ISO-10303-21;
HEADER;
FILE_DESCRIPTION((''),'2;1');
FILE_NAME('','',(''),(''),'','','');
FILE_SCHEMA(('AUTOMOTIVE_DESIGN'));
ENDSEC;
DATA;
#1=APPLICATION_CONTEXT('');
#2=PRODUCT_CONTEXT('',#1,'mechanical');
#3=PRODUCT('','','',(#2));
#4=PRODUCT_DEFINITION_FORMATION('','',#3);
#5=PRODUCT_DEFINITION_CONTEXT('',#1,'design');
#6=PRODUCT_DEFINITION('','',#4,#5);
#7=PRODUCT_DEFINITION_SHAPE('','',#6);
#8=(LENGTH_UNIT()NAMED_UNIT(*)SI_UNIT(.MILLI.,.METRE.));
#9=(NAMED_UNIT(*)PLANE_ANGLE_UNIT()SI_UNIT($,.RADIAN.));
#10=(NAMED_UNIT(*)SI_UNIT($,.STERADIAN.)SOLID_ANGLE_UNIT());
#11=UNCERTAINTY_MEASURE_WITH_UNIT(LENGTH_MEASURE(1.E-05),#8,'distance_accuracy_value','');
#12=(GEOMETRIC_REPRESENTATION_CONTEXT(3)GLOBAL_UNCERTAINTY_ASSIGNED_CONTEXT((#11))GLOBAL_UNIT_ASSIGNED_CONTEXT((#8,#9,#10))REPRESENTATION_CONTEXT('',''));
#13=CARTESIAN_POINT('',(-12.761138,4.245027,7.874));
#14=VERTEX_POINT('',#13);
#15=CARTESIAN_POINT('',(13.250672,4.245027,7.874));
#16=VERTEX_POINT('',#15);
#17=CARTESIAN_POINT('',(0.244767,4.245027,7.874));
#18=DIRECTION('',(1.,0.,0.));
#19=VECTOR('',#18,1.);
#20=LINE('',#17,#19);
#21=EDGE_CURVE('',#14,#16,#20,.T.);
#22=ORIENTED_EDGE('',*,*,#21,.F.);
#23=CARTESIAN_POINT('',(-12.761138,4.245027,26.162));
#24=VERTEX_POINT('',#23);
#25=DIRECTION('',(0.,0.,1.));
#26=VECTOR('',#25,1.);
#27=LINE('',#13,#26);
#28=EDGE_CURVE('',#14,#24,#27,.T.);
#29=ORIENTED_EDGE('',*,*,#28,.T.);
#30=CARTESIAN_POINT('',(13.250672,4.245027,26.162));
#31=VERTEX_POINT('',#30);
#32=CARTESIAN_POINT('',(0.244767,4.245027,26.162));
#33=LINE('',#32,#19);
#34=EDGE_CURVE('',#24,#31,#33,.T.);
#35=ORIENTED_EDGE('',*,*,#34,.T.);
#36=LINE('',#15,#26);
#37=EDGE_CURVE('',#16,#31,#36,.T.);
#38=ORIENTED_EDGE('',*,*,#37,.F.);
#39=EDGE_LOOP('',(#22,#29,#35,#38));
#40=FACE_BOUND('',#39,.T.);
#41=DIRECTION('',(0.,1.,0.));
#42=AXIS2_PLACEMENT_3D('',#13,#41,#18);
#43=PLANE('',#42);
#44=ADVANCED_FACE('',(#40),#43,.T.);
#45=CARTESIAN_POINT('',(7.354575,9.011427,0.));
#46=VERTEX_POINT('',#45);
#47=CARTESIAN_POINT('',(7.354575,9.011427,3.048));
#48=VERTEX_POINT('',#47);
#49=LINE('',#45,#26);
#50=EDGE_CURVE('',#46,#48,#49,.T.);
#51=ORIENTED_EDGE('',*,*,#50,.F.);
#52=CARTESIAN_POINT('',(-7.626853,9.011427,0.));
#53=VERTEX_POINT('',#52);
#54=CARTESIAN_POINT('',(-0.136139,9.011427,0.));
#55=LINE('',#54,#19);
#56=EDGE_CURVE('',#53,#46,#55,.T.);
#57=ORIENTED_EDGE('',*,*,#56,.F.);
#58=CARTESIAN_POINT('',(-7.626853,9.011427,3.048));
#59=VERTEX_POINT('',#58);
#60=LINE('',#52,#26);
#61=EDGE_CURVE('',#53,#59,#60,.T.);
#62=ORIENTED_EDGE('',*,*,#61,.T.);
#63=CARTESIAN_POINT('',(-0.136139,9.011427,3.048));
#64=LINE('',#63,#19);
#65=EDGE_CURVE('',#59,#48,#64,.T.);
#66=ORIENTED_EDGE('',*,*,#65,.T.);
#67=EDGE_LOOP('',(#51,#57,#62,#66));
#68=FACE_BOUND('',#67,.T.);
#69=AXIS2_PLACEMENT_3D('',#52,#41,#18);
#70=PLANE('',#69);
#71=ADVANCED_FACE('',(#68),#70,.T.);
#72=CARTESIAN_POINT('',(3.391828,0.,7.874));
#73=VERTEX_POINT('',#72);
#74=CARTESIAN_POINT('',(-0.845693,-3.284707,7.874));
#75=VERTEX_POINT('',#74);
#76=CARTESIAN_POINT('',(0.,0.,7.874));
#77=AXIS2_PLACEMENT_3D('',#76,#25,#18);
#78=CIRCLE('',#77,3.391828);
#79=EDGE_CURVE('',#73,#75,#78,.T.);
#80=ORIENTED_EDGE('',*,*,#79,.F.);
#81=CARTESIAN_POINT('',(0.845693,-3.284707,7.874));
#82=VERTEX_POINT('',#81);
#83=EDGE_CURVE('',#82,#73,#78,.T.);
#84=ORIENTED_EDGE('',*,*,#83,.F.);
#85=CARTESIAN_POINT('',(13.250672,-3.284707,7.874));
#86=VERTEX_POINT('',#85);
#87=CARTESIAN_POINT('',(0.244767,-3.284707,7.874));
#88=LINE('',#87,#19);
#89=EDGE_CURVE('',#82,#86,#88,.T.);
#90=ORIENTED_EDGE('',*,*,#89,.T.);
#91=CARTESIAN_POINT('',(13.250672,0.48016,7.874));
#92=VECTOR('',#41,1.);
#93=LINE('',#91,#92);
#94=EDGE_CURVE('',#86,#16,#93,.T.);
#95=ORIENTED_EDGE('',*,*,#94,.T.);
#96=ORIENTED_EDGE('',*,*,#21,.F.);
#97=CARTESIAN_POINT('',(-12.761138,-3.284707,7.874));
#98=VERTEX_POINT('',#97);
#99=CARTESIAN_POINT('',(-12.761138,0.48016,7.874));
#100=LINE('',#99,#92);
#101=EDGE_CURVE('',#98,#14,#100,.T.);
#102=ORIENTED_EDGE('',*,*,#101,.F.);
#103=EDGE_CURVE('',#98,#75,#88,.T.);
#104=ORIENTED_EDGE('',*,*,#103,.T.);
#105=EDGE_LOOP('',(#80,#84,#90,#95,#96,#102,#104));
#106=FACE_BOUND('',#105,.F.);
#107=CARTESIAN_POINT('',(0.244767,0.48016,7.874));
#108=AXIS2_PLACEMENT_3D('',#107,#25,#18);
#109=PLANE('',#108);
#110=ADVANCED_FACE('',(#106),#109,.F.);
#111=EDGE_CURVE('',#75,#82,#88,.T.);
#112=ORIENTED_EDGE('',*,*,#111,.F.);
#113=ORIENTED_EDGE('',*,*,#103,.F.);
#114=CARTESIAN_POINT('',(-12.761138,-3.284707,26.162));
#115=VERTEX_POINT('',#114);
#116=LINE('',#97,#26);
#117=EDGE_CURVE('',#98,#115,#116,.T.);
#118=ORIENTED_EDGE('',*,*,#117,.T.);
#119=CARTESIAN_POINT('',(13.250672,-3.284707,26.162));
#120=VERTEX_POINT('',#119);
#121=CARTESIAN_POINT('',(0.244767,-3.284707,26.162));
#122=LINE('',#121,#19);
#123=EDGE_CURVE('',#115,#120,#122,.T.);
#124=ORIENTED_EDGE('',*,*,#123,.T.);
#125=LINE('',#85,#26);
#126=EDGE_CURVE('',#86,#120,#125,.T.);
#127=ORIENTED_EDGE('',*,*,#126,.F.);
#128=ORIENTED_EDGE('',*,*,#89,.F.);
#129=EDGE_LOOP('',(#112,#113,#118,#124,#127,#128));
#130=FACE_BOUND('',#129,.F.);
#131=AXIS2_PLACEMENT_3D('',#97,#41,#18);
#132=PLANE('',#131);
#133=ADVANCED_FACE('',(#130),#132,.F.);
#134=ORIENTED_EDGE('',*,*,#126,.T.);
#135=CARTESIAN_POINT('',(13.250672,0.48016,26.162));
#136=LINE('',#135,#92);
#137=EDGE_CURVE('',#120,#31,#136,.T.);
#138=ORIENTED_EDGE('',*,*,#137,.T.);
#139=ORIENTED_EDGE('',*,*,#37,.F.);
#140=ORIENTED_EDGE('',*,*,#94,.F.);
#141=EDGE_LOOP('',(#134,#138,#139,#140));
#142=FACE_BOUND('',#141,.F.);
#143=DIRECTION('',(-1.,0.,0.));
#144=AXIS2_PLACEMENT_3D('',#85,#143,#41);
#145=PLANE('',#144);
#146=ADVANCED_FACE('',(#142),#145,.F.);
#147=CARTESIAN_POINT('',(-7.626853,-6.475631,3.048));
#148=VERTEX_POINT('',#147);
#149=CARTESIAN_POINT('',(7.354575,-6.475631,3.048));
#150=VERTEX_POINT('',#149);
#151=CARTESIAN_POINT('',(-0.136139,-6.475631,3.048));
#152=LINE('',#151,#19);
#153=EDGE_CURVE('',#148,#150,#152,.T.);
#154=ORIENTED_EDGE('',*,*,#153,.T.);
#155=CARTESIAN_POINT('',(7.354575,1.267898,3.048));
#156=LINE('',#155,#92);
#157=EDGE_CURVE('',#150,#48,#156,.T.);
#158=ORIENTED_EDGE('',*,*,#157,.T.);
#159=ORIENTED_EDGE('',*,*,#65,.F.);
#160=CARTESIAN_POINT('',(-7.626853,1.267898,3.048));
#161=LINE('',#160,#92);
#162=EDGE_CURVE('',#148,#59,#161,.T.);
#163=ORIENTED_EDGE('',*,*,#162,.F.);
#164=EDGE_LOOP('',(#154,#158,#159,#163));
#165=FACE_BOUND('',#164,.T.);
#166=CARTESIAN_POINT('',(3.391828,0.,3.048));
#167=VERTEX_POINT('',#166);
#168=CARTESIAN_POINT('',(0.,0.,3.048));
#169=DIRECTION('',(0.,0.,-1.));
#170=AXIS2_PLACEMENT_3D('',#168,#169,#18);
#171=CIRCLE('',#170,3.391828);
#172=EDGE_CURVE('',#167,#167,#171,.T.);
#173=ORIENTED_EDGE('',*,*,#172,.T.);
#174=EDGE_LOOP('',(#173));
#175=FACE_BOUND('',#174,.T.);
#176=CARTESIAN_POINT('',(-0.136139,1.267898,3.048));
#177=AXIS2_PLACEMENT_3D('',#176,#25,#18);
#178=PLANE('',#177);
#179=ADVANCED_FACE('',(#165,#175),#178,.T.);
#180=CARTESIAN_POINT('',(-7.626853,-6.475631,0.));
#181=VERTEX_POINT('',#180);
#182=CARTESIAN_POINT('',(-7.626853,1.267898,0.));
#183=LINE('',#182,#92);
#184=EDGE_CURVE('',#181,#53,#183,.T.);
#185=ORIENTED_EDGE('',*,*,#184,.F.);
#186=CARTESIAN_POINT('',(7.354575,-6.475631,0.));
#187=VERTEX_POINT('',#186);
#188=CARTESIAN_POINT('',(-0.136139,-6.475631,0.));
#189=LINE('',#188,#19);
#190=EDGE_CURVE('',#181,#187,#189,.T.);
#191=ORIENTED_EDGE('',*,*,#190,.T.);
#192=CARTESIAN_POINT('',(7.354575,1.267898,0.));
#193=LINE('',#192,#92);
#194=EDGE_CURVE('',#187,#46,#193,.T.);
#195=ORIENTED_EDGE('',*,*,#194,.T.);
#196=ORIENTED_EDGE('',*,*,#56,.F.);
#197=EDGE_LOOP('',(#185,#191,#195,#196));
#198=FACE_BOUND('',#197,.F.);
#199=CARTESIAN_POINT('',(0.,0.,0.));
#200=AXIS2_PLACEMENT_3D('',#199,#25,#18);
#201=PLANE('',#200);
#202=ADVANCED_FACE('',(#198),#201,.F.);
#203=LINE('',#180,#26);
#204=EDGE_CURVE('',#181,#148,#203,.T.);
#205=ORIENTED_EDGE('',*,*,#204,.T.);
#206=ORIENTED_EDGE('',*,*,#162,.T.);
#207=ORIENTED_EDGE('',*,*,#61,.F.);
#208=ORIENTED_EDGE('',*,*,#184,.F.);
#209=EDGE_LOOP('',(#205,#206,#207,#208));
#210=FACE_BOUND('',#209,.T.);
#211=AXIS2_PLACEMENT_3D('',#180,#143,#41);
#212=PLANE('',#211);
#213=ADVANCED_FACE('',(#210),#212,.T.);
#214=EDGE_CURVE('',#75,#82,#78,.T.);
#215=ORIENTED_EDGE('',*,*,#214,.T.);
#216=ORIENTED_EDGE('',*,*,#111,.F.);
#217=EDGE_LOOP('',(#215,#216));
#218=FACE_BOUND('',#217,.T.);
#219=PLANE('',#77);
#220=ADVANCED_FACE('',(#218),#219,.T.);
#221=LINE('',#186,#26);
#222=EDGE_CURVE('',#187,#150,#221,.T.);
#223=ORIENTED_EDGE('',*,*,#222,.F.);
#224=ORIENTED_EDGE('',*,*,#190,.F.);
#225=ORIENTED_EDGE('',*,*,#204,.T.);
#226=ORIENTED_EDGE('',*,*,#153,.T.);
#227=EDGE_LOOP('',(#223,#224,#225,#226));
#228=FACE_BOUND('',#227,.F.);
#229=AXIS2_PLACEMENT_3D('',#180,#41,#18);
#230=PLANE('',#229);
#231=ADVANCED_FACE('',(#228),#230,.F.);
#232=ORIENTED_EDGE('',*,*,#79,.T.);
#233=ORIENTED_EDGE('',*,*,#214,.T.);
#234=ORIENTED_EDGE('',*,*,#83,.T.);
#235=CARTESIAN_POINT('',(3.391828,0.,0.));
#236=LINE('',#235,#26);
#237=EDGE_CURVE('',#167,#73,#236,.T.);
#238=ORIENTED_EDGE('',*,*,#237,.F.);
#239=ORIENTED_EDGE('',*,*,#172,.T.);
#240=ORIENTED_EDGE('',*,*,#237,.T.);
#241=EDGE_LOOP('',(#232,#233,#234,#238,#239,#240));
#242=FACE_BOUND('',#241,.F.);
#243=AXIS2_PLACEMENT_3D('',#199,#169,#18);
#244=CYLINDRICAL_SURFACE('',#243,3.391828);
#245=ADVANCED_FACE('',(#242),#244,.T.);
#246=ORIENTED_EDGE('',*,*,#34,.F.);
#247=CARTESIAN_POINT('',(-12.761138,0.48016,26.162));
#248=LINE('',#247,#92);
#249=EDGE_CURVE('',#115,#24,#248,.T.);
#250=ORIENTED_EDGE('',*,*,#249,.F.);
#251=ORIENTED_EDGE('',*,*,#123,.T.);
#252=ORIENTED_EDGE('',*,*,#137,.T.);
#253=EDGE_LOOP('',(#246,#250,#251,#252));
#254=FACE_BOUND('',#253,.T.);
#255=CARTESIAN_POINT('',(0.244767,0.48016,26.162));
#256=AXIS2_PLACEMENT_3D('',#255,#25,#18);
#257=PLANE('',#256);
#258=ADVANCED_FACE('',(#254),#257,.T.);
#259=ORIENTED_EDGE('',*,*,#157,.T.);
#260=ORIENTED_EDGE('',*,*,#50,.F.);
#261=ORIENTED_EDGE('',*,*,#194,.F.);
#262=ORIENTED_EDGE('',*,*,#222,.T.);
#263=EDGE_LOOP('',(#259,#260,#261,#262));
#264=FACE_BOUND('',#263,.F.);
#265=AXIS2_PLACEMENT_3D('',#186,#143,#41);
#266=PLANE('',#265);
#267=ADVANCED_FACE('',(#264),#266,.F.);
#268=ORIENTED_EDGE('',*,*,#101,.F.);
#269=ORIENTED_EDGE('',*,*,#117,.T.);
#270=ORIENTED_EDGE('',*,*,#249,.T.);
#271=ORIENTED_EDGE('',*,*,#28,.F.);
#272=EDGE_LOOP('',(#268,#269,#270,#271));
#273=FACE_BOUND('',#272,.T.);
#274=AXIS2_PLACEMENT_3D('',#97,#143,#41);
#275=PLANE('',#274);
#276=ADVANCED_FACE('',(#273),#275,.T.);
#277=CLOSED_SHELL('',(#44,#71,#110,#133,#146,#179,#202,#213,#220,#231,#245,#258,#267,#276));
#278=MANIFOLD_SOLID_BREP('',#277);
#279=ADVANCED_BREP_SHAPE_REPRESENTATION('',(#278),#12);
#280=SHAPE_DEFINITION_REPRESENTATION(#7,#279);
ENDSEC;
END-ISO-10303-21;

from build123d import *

# Parameters (mm, degrees)
F0_W     = 14.981428
F0_H     = 15.487057
F1_DEPTH = 3.048
F2_R     = 3.391828
F3_DEPTH = 7.874
F4_W     = 26.01181
F4_H     = 7.529734
F5_DEPTH = 18.288


with BuildPart() as f1:
    # F0 (on Top) → F1 (new body)
    with BuildSketch(Plane.XY):
        with Locations((-0.136139, 1.267898)):
            Rectangle(F0_W, F0_H)
    extrude(amount=F1_DEPTH)

    # F2 (on Top) → F3 (join)
    with BuildSketch(Plane.XY):
        Circle(F2_R)
    extrude(amount=F3_DEPTH)

    # F4 (on face) → F5 (join)
    with BuildSketch(Plane.XY.offset(7.874)):
        with Locations((0.244767, 0.48016)):
            Rectangle(F4_W, F4_H)
    extrude(amount=F5_DEPTH)


solid = f1.part
